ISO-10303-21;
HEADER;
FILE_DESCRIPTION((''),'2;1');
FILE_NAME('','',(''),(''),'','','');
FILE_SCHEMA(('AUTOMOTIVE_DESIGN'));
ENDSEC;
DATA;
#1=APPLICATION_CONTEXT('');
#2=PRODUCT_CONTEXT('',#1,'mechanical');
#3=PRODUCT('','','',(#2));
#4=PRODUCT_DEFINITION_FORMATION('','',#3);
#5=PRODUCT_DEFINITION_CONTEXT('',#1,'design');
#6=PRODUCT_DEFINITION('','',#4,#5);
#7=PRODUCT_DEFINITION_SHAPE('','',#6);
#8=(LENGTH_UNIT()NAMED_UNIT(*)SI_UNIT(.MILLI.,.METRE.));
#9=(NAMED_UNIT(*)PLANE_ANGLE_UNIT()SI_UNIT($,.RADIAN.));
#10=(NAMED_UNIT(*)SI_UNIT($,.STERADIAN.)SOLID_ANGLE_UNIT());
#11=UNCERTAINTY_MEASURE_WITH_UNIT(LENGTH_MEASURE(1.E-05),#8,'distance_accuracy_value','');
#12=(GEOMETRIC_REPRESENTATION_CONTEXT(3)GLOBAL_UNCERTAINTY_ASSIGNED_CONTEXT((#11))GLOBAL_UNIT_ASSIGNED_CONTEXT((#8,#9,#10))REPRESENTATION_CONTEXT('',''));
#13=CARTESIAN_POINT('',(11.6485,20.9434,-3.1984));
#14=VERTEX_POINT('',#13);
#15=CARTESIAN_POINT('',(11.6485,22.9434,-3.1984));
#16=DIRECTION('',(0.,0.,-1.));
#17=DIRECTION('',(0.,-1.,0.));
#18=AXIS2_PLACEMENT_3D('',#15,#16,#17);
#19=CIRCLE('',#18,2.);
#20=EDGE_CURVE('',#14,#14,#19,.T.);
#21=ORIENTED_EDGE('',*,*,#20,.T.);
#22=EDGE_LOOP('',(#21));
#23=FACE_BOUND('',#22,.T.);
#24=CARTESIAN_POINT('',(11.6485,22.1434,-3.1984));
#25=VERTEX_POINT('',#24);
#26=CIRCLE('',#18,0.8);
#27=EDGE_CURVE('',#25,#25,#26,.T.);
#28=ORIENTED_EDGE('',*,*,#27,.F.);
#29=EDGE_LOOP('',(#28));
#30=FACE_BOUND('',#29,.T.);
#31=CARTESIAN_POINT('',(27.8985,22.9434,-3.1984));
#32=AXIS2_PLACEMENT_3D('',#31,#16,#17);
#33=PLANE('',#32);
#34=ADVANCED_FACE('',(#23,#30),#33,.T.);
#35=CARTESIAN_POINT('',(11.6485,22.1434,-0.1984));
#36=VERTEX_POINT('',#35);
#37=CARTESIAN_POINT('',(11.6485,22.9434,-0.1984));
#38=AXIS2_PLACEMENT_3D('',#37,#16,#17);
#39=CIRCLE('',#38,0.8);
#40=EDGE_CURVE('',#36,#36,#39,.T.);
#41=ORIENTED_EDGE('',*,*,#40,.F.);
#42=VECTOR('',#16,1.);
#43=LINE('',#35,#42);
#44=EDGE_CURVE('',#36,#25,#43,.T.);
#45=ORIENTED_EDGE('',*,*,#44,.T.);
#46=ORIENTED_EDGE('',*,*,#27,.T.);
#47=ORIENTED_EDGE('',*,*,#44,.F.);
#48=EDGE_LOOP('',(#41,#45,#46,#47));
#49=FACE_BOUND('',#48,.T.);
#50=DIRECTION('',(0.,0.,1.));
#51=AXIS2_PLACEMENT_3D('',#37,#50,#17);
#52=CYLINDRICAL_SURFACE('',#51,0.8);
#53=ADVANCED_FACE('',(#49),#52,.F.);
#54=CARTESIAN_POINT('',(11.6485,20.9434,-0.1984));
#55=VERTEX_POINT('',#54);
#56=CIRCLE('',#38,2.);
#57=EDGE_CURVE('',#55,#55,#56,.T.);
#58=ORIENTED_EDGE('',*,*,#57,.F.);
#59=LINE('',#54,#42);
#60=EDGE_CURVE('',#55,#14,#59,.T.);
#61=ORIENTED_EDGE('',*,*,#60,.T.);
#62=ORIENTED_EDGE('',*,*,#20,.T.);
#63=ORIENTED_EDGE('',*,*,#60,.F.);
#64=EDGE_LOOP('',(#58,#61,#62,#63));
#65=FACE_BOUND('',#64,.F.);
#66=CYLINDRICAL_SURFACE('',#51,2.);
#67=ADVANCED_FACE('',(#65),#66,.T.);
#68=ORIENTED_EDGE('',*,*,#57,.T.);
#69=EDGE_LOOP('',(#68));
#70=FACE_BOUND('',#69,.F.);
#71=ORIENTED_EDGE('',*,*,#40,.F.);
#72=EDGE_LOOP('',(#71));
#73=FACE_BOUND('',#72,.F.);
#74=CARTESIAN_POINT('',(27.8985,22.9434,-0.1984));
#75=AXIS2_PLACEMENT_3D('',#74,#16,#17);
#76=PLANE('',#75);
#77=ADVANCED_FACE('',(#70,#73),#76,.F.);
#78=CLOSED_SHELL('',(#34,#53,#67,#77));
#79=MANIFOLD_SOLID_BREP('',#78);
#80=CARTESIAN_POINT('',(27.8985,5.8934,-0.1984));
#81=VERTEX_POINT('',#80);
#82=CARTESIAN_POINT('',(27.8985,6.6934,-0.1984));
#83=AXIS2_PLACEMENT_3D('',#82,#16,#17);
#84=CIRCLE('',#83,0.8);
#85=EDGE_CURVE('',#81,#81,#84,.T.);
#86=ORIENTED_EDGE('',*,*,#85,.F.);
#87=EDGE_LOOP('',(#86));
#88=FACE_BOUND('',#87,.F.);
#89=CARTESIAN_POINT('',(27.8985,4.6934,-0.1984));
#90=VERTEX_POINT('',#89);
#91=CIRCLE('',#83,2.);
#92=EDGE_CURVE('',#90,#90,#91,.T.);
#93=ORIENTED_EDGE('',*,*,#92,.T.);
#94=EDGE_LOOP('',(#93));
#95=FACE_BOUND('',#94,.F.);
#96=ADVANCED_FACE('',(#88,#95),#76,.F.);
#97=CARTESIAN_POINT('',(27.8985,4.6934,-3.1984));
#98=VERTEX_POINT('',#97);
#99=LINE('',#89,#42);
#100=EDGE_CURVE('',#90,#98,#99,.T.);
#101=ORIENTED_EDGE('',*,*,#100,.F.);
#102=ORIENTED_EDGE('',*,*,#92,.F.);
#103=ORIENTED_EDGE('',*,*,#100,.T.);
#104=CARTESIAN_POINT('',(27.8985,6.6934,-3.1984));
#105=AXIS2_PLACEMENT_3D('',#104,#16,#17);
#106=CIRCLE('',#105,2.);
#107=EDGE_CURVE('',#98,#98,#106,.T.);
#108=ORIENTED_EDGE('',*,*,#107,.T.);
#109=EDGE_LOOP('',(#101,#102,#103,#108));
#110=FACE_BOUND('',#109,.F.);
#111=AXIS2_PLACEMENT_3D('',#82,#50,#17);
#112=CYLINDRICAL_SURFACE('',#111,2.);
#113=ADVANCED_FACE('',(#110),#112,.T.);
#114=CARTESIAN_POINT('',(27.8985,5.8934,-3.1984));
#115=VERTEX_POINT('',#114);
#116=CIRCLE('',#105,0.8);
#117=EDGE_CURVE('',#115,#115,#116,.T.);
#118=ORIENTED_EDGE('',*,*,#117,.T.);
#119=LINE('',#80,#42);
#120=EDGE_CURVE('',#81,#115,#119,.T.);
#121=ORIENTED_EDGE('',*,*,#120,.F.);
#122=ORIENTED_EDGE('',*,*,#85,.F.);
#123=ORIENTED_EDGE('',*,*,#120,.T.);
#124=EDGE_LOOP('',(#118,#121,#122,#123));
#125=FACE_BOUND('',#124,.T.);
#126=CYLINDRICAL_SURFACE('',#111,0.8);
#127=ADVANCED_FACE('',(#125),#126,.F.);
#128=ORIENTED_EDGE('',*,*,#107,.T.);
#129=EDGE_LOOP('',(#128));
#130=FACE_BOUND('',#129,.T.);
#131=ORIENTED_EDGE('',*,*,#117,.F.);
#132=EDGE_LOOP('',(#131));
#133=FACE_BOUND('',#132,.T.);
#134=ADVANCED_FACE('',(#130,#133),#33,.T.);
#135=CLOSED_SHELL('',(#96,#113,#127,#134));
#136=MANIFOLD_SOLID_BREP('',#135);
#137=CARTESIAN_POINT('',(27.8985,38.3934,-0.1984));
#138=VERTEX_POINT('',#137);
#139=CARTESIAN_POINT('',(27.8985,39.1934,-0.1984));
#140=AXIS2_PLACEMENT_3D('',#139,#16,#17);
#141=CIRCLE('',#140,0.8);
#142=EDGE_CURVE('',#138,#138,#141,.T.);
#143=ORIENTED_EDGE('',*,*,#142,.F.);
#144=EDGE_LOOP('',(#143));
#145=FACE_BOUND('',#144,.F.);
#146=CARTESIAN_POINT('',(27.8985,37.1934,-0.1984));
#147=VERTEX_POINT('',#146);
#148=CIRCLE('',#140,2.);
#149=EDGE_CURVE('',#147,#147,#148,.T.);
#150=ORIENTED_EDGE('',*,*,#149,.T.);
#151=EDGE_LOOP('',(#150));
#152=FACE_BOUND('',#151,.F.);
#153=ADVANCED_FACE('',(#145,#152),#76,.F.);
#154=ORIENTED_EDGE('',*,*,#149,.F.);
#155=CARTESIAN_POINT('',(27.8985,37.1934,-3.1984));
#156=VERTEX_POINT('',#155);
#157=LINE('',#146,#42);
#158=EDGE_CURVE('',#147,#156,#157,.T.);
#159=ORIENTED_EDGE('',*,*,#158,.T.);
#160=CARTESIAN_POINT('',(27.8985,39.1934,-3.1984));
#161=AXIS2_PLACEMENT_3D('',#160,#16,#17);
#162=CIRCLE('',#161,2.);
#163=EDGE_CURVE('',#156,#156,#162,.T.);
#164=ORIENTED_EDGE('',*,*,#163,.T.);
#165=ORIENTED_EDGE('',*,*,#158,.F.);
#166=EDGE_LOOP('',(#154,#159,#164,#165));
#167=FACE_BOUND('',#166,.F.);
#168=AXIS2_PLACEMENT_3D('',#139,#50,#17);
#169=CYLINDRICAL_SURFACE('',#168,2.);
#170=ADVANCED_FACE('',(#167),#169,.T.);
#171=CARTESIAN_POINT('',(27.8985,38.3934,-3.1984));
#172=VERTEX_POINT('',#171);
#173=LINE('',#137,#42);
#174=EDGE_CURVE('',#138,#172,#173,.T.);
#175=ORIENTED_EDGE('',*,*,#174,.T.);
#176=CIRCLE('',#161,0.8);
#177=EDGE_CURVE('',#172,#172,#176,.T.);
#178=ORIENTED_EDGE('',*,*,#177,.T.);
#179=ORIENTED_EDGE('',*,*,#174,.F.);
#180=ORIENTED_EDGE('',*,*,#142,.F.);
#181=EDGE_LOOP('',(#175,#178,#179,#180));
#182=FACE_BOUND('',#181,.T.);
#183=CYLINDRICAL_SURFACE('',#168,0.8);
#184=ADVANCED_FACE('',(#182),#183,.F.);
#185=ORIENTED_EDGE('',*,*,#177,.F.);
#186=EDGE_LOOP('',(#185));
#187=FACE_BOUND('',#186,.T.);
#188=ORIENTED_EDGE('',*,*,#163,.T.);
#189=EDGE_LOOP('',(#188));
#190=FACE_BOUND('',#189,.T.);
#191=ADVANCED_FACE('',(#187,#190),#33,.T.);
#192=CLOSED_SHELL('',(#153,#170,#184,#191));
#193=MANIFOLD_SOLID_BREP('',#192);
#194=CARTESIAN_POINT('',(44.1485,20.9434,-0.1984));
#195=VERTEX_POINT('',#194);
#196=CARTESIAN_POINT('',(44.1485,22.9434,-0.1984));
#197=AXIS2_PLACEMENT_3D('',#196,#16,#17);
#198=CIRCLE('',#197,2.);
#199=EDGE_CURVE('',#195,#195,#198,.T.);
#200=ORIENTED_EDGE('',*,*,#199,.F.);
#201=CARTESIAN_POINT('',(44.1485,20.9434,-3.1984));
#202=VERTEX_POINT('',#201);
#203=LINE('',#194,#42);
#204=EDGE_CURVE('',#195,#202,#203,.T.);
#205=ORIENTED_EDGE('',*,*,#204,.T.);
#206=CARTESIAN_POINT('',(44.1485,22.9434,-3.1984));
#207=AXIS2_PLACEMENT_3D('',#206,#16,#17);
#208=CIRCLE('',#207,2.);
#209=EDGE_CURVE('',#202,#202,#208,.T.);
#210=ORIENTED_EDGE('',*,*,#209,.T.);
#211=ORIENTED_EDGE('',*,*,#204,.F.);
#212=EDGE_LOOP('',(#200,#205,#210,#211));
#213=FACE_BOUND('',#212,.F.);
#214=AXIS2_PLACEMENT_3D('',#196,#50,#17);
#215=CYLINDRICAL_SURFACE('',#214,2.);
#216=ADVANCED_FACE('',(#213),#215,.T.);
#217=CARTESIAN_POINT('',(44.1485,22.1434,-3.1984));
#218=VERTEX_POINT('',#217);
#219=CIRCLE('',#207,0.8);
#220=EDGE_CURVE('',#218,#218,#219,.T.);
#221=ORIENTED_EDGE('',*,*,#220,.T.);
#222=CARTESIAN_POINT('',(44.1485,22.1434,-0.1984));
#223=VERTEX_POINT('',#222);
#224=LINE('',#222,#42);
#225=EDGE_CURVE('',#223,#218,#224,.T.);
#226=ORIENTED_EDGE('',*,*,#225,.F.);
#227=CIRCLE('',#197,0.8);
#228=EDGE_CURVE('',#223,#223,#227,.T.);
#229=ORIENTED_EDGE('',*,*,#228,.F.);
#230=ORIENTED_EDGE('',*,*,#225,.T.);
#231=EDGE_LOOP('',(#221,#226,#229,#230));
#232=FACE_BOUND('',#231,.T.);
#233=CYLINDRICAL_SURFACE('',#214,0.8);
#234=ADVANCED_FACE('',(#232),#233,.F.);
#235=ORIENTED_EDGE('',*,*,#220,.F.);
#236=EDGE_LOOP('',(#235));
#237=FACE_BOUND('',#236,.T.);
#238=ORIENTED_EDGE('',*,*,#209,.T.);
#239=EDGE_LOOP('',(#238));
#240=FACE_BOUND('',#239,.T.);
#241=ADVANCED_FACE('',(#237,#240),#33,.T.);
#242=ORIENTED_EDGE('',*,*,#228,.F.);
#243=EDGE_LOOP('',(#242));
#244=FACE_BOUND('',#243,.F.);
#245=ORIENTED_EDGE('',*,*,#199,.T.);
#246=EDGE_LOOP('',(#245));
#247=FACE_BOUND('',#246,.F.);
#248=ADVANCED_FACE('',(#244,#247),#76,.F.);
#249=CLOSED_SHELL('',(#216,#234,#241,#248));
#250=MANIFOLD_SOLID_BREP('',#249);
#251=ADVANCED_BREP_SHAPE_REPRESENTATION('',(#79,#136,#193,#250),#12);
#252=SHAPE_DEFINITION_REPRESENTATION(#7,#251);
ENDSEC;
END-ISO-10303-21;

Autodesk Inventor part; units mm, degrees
ref_plane "YZ Plane" through (0, 0, 0) normal (1, 0, 0) x (0, 1, 0)
ref_plane "XZ Plane" through (0, 0, 0) normal (0, 1, 0) x (-1, 0, 0)
ref_plane "XY Plane" through (0, 0, 0) normal (0, 0, 1) x (1, 0, 0)
ref_plane "作業平面1" through (27.8985, 22.9434, -0.1984) normal (0, 0, -1) x (0, -1, 0)
sketch "スケッチ1" plane through (27.8985, 22.9434, -0.1984) normal (0, 0, -1) x (0, -1, 0)
  circle A0 centre (-16.25, 0) radius 0.8 projected
  circle A1 centre (0, -16.25) radius 0.8 projected
  circle A2 centre (16.25, 0) radius 0.8 projected
  circle A3 centre (0, 16.25) radius 0.8 projected
  circle A4 centre (-16.25, 0) radius 2
  circle A5 centre (0, 16.25) radius 2
  circle A6 centre (0, -16.25) radius 2
  circle A7 centre (16.25, 0) radius 2
  point P0 (22.9434, 27.8985)
  dimension "d0" = 4
extrude "押し出し1" add sketch "スケッチ1" along normal blind 3
sketch "スケッチ2" plane through (44.1485, 22.9434, -3.1984) normal (0, 0, -1) x (-1, 0, 0)
  circle A0 centre (16.25, 16.25) radius 2 projected
  circle A1 centre (16.25, 16.25) radius 0.8 projected
  circle A2 centre (32.5, 0) radius 2 projected
  circle A3 centre (32.5, 0) radius 0.8 projected
  circle A4 centre (16.25, -16.25) radius 2 projected
  circle A5 centre (16.25, -16.25) radius 2 projected
  circle A6 centre (16.25, -16.25) radius 0.8 projected
  arc A7 (18.1064, -0.7443) -> (14.3936, -0.7443) centre (16.25, 0) ccw projected
  point P0 (44.1485, -22.9434)
properties part number "OmniFrame_C"
